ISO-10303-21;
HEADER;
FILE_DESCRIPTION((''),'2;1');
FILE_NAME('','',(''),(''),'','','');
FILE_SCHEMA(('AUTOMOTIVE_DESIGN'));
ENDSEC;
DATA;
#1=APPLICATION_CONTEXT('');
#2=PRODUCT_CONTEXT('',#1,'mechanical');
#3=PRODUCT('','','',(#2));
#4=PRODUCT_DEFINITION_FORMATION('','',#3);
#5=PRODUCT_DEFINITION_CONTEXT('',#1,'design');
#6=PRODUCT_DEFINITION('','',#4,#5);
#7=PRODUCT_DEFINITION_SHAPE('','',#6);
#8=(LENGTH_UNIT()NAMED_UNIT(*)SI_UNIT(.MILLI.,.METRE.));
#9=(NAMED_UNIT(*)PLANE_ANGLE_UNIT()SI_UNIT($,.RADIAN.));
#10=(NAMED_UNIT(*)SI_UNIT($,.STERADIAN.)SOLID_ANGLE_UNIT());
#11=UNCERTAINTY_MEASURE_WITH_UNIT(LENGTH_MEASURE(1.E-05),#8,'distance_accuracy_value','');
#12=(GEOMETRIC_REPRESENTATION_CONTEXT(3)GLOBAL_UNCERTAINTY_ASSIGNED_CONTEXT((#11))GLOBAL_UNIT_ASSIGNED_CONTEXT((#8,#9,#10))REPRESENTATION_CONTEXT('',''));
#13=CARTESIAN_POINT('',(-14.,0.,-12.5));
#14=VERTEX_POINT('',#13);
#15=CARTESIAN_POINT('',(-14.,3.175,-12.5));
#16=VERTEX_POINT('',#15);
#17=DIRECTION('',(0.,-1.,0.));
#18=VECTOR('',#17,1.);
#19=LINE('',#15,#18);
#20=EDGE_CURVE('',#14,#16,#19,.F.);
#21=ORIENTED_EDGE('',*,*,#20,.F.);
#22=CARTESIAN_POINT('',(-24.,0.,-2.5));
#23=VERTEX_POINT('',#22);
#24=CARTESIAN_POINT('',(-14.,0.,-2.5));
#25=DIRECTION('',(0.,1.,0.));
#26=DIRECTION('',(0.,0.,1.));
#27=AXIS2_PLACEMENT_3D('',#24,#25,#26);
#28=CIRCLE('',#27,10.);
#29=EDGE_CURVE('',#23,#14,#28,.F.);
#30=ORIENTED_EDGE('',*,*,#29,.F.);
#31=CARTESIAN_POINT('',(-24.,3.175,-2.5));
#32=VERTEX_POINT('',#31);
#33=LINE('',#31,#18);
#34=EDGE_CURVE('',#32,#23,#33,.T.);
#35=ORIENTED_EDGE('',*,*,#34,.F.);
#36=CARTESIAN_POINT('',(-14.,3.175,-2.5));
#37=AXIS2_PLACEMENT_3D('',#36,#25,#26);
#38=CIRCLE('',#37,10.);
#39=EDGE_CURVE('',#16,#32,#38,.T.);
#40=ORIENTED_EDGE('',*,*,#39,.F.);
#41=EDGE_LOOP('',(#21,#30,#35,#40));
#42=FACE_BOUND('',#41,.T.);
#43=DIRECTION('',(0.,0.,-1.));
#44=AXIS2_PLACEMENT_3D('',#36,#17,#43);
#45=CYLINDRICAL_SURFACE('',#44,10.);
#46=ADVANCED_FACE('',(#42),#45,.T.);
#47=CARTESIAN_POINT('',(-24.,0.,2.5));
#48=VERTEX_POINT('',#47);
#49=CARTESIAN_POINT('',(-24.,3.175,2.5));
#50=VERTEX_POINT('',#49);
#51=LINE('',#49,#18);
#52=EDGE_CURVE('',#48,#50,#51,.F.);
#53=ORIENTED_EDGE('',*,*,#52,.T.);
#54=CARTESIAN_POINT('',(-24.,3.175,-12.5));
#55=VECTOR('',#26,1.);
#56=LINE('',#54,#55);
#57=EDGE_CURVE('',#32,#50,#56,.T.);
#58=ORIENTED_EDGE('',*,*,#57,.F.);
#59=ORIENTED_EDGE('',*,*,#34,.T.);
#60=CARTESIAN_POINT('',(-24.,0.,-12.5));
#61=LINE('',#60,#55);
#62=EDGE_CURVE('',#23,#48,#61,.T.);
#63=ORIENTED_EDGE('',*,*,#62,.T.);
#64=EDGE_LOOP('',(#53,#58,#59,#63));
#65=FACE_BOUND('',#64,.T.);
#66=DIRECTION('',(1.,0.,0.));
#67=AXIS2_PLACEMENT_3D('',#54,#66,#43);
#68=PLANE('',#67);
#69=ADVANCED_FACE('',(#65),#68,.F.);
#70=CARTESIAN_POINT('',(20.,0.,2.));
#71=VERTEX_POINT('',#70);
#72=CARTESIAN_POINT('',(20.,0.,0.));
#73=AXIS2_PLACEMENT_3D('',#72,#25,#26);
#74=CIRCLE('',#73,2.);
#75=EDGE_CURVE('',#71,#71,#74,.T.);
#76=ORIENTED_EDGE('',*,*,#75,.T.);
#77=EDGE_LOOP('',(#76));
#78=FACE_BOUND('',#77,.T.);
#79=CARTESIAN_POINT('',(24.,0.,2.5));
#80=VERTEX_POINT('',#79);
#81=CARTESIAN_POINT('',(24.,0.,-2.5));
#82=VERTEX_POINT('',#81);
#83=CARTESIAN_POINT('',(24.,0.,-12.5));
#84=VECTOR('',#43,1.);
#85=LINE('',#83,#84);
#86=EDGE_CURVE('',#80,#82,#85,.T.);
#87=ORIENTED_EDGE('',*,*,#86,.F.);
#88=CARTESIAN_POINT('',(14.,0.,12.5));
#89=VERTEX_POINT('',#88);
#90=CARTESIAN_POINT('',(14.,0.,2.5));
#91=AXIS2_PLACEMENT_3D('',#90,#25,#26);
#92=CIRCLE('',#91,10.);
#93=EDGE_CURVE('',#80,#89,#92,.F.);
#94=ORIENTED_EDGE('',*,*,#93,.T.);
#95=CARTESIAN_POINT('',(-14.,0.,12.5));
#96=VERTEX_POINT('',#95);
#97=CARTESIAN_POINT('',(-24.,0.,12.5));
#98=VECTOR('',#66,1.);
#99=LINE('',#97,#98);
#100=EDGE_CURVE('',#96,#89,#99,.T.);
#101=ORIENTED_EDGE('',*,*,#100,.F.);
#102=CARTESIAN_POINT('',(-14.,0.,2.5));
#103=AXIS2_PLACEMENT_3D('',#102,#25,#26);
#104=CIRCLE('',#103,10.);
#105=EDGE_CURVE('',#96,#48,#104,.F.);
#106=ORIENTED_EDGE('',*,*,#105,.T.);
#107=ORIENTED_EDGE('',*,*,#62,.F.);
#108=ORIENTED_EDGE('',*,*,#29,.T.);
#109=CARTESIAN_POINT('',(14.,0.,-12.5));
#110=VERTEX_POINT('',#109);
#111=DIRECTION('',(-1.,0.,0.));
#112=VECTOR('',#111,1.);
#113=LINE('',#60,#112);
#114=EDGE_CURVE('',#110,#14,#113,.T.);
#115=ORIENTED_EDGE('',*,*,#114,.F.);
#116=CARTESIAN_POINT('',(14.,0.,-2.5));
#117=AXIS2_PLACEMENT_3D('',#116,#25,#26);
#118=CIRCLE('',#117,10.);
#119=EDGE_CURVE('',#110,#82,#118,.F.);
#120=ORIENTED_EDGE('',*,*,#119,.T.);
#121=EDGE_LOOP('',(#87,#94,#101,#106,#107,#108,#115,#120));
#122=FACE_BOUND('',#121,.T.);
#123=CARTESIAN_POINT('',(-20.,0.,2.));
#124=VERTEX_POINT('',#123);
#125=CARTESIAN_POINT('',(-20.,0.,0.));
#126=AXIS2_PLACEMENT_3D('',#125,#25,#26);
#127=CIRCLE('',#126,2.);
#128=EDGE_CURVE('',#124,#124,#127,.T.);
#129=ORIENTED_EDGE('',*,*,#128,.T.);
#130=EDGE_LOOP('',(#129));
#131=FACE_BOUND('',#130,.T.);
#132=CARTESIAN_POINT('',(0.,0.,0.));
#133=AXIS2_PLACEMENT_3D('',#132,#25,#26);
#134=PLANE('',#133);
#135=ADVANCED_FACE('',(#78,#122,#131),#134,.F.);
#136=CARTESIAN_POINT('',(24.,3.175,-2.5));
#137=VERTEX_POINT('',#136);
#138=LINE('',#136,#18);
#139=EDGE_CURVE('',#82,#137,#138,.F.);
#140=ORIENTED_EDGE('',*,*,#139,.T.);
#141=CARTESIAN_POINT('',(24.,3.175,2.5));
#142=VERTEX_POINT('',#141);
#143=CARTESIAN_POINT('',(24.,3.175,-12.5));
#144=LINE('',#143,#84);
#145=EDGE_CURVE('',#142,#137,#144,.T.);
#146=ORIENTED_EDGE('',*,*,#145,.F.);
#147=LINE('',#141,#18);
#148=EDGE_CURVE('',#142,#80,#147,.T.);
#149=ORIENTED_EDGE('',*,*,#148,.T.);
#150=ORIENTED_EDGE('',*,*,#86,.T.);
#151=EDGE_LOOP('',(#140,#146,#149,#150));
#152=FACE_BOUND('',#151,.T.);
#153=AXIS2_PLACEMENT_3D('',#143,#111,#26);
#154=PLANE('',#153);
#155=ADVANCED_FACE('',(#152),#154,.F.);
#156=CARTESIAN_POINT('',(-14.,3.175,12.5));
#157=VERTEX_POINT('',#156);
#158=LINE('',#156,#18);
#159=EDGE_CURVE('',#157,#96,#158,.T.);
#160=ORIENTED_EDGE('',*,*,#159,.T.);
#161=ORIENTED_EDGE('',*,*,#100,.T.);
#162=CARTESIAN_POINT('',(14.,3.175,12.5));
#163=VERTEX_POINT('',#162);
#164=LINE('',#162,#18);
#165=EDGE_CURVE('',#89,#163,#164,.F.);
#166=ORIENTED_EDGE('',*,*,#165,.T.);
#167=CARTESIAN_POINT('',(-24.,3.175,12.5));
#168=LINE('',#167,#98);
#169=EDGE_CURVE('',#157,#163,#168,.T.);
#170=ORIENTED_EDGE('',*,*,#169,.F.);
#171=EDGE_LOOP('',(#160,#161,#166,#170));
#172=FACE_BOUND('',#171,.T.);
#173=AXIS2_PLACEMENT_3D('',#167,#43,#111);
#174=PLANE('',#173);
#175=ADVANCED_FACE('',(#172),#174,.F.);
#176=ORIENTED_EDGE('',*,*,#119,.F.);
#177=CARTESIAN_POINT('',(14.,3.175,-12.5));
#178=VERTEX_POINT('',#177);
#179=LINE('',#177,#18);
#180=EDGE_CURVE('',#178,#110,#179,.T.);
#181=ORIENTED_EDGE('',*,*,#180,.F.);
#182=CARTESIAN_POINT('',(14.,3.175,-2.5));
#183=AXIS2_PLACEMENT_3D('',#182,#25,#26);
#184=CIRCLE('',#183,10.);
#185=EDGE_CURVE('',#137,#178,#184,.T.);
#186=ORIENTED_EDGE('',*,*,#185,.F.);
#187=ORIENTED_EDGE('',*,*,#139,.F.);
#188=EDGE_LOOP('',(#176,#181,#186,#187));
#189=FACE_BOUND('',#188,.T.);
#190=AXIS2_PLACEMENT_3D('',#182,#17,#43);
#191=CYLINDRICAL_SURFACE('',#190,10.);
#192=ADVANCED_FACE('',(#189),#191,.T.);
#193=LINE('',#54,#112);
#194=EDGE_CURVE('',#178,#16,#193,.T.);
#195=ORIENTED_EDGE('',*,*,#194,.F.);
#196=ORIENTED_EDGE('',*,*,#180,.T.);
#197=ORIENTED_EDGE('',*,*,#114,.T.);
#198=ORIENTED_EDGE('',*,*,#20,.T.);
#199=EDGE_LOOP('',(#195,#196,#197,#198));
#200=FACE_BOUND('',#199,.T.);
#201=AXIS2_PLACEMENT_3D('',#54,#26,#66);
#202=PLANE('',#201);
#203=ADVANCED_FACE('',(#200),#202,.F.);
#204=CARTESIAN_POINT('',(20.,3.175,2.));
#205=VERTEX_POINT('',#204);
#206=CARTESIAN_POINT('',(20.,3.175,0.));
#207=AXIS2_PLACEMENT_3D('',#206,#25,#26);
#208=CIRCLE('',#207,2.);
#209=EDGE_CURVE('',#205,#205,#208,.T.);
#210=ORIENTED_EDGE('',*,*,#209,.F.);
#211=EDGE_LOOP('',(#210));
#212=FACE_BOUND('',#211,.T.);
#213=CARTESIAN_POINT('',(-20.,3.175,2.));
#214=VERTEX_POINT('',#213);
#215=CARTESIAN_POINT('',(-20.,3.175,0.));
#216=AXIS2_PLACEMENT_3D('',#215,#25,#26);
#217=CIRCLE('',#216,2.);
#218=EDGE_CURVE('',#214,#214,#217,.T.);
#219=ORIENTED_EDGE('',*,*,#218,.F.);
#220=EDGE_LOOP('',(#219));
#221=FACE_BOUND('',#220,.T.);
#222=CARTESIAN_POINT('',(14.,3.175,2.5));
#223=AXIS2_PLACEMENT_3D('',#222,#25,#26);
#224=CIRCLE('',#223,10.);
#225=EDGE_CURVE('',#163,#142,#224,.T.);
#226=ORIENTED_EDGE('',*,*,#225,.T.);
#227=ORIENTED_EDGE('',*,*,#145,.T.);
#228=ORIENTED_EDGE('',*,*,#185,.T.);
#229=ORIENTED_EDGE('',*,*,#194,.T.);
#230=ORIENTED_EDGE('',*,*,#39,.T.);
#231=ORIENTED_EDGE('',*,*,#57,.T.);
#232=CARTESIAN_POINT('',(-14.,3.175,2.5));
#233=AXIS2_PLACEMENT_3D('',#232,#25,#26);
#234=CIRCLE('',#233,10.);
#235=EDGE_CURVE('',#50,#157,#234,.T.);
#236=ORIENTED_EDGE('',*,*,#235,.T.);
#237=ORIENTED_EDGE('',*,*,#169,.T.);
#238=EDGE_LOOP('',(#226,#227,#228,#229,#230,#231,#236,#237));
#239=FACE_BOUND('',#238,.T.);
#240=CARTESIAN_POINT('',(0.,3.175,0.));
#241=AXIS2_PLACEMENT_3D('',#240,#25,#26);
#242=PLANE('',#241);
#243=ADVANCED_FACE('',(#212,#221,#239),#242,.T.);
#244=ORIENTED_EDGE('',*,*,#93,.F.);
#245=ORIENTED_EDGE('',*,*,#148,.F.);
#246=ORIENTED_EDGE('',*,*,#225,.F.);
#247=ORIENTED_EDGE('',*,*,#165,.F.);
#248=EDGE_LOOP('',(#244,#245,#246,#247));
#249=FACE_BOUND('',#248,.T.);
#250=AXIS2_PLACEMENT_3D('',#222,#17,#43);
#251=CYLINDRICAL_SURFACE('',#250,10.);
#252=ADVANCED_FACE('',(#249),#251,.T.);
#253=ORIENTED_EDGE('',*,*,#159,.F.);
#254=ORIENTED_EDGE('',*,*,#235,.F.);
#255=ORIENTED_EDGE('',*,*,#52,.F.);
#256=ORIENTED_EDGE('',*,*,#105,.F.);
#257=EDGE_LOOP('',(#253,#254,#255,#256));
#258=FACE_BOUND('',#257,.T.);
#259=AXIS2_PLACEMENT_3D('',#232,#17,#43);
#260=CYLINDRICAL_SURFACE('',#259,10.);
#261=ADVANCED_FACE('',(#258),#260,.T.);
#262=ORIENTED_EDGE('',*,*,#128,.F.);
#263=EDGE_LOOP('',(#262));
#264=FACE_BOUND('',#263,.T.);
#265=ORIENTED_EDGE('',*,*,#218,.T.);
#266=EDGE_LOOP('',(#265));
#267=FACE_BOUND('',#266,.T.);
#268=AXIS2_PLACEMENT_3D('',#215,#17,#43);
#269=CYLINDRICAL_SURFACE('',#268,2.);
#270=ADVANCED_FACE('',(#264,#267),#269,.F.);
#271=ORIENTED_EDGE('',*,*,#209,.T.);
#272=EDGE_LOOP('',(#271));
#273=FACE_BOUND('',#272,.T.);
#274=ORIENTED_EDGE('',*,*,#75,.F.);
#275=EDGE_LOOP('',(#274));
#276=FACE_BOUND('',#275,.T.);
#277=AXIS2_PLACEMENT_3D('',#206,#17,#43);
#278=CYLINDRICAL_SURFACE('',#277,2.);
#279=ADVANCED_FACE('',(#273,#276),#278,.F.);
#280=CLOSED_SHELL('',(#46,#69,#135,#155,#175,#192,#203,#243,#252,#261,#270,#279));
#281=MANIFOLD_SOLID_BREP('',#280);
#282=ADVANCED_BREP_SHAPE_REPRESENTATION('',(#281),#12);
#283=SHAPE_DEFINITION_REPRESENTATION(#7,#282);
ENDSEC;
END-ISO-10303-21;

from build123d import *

# Parameters (mm, degrees)
SKETCH1_W           = 48
SKETCH1_H           = 25
SKETCH1_R           = 2
BOSS_EXTRUDE1_DEPTH = 3.175
FILLET1_R           = 10


with BuildPart() as part:
    # Sketch1 → Boss-Extrude1 (new body)
    with BuildSketch(Plane(origin=(0, 0, 0), x_dir=(1, 0, 0), z_dir=(0, 1, 0))):
        Rectangle(SKETCH1_W, SKETCH1_H)
        with Locations((-20, 0)):
            Circle(SKETCH1_R, mode=Mode.SUBTRACT)
        with Locations((20, 0)):
            Circle(SKETCH1_R, mode=Mode.SUBTRACT)
    extrude(amount=BOSS_EXTRUDE1_DEPTH)

    # Fillet1
    fillet1_edges = [part.edges().sort_by_distance(p)[0] for p in [
        (24, 1.5875, 12.5),
        (-24, 1.5875, 12.5),
        (-24, 1.5875, -12.5),
        (24, 1.5875, -12.5),
    ]]
    fillet(fillet1_edges, radius=FILLET1_R)


solid = part.part
